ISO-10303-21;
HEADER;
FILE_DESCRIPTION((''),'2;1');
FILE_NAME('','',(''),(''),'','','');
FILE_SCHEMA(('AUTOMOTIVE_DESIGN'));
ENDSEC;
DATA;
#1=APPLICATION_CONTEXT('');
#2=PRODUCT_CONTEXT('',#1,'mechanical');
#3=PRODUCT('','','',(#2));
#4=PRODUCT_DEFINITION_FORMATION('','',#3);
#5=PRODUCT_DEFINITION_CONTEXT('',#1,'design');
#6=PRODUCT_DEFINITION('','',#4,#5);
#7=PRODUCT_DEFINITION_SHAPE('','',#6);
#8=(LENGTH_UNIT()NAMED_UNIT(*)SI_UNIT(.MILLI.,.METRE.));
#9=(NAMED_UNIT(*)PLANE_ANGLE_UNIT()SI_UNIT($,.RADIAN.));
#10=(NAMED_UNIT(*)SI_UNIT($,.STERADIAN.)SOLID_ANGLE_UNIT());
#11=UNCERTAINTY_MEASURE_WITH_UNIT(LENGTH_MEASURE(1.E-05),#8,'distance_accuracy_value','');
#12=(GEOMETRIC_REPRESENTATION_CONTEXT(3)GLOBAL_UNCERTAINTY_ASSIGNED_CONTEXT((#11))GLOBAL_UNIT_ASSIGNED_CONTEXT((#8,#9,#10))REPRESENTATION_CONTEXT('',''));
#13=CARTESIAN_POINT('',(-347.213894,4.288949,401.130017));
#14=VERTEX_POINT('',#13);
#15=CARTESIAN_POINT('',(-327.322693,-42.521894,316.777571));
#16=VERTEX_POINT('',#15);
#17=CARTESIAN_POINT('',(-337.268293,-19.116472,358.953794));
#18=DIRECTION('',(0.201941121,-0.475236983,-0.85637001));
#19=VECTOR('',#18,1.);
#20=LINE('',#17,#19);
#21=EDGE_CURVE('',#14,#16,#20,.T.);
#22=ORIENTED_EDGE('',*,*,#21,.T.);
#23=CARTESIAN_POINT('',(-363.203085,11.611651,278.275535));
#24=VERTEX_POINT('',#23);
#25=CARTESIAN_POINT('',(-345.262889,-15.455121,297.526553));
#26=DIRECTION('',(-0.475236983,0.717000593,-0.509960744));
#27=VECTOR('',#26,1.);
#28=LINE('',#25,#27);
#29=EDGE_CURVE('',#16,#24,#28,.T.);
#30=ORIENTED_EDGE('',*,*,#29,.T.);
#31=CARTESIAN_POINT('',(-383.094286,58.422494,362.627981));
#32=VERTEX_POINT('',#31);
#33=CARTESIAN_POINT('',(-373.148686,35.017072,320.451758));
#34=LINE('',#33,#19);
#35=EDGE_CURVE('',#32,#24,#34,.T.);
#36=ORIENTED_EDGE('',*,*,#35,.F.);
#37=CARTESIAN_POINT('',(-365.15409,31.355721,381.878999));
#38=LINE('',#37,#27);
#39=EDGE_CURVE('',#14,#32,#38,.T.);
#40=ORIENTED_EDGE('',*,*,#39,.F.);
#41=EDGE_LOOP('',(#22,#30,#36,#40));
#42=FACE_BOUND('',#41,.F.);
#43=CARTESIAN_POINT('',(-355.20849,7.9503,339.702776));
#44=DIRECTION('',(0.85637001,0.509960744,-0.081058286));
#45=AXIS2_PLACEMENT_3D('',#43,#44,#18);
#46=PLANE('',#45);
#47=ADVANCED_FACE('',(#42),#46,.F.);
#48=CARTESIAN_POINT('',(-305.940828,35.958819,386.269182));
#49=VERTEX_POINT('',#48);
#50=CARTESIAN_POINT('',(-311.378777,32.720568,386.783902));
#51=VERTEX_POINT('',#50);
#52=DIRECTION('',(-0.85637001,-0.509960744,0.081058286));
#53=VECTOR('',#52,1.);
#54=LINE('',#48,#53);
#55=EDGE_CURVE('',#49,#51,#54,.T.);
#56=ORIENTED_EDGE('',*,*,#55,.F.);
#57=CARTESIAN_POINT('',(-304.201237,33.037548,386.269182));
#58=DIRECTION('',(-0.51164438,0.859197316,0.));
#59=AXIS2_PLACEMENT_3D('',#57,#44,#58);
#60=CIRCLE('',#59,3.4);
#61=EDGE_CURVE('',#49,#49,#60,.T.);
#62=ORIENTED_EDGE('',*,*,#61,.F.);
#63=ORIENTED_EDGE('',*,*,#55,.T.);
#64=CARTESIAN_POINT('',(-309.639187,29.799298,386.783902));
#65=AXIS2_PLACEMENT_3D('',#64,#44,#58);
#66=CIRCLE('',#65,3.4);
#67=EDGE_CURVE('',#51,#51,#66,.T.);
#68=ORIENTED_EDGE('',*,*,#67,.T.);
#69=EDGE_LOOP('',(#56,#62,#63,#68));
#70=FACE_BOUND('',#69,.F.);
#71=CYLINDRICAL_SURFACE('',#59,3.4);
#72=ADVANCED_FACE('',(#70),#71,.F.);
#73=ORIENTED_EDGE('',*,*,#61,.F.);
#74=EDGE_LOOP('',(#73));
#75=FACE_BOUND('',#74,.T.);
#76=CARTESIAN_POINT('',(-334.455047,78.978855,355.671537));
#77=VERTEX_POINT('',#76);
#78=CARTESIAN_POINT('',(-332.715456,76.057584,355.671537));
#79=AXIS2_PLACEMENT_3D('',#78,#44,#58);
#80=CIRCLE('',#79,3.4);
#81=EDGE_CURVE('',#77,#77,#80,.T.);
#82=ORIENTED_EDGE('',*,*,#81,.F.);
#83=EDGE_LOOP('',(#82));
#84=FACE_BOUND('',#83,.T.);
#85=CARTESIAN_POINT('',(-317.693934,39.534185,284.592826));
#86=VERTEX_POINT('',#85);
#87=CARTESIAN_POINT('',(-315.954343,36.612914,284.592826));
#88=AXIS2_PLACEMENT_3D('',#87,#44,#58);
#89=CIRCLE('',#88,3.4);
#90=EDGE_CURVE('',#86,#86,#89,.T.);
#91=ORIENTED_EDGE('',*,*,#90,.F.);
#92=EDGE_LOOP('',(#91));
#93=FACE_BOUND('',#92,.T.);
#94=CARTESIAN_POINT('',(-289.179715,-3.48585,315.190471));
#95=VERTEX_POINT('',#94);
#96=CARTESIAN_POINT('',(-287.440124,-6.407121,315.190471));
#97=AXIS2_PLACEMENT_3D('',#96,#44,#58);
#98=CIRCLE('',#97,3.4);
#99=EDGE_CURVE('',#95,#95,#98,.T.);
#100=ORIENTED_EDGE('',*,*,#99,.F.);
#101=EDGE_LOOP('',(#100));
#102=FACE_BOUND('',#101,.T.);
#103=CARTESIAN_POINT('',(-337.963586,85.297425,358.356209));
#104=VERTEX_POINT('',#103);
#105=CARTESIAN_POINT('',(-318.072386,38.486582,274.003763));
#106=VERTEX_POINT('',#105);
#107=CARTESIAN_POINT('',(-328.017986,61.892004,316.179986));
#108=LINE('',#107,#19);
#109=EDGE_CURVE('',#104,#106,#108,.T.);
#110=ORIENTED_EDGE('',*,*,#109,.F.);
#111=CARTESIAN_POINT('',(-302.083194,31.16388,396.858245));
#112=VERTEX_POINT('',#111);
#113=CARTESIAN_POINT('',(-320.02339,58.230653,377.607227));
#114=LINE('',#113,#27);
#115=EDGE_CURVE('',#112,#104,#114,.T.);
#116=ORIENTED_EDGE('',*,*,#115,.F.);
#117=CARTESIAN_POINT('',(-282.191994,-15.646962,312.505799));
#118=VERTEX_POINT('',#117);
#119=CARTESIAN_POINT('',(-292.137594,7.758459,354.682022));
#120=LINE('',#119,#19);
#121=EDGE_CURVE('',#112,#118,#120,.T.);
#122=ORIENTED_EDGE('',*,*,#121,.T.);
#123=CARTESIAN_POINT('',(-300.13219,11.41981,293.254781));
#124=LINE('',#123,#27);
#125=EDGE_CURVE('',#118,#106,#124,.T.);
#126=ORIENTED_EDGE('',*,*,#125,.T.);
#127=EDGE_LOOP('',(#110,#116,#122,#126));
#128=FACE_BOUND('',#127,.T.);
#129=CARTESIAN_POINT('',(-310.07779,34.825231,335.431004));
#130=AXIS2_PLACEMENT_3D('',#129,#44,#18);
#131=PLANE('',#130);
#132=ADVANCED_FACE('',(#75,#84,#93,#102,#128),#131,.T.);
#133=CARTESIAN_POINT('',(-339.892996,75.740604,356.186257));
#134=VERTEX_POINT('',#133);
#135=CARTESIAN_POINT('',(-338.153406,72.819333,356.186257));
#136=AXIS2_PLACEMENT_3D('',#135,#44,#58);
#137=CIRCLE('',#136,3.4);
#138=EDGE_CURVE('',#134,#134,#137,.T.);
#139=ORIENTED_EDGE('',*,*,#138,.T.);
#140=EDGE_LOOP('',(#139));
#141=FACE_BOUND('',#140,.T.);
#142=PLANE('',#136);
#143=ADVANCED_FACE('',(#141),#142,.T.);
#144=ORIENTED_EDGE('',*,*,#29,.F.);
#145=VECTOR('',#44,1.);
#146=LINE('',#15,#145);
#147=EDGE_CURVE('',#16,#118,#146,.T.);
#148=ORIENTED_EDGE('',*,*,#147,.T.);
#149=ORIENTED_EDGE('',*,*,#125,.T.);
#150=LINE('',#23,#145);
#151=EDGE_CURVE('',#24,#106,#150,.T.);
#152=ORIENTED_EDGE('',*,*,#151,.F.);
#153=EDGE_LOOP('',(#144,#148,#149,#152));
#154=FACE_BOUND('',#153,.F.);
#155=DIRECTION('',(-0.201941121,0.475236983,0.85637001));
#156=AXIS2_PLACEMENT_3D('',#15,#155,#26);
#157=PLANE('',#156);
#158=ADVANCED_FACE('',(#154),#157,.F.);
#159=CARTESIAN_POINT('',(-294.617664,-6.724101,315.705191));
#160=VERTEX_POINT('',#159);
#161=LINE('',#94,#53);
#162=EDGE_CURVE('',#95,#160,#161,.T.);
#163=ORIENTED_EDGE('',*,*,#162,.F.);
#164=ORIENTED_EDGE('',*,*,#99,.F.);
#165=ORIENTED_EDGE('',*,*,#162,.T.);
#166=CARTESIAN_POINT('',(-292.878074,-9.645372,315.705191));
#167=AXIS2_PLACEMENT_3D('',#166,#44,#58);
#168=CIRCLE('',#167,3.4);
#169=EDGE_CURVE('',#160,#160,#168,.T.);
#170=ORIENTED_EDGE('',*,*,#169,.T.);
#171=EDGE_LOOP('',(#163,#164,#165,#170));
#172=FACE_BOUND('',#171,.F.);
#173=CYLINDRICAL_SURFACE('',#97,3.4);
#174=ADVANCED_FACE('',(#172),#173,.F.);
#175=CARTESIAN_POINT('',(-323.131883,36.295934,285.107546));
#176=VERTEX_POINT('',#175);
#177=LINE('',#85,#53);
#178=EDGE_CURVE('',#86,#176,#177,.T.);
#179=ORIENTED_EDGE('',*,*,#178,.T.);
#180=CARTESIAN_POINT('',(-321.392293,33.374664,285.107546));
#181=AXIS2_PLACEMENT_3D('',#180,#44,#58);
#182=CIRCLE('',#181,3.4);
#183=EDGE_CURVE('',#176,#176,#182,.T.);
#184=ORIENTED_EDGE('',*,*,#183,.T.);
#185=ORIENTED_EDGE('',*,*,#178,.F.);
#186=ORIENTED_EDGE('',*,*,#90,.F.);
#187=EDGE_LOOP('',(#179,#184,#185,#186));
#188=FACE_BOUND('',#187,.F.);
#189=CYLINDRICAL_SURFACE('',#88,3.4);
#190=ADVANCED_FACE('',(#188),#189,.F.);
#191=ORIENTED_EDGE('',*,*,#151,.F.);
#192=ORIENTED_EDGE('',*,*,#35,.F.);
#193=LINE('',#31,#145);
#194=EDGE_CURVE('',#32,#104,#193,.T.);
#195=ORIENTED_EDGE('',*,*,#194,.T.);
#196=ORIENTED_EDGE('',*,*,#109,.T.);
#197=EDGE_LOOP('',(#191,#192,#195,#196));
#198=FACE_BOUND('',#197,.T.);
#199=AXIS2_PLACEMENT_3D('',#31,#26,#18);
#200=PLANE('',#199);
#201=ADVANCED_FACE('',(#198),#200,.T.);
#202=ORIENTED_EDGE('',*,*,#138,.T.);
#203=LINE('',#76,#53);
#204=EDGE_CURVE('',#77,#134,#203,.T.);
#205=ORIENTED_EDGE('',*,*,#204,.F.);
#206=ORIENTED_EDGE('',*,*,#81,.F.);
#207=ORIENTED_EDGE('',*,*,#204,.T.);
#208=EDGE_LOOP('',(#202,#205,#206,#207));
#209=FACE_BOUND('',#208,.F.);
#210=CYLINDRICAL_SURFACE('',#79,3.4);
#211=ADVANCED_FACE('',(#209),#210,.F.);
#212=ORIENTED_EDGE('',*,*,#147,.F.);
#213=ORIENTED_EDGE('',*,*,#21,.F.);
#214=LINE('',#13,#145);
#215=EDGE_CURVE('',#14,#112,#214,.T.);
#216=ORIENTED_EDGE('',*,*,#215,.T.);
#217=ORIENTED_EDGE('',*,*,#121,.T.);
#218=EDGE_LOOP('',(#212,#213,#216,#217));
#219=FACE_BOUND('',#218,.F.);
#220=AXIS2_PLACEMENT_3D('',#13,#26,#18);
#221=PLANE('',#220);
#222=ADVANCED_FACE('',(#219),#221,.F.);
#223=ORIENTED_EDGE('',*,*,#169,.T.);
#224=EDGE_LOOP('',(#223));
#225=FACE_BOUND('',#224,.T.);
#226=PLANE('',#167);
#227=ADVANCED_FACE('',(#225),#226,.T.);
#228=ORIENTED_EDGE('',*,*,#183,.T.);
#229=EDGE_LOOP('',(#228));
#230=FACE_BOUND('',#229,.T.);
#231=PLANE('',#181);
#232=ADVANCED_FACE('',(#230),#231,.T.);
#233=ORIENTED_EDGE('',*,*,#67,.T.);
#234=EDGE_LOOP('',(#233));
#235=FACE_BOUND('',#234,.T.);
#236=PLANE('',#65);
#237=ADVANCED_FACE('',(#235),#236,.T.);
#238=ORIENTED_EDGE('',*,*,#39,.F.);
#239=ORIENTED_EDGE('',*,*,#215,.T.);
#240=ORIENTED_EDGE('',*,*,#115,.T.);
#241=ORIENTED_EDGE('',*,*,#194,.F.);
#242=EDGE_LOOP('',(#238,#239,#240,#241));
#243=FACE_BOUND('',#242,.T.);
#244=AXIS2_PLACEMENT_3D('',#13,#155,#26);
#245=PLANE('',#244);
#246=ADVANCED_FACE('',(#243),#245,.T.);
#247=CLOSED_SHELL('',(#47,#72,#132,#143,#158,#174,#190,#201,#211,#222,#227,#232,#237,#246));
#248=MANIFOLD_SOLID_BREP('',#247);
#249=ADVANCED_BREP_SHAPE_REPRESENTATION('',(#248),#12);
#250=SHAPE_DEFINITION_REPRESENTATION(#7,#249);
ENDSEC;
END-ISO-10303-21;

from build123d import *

# Parameters (mm, degrees)
SKETCH2_W           = 98.5
SKETCH2_H           = 75.5
BOSS_EXTRUDE1_DEPTH = 52.7
SKETCH3_R           = 3.4
CUT_EXTRUDE1_DEPTH  = 6.35


with BuildPart() as part:
    # Sketch2 → Boss-Extrude1 (new body)
    with BuildSketch(Plane(origin=(-280.607858618, -167.099490539, 26.56047255), x_dir=(0.20194112114307833, -0.4752369827921409, -0.8563700098544431), z_dir=(0.8563700098544432, 0.5099607440240832, -0.08105828629020287))):
        with Locations((-366.420746544, 1.273500466)):
            Rectangle(SKETCH2_W, SKETCH2_H)
    extrude(amount=BOSS_EXTRUDE1_DEPTH)

    # Sketch3 → Cut-Extrude1 (cut)
    with BuildSketch(Plane(origin=(-235.477159099, -140.224559329, 22.288700862), x_dir=(0.20194112114307847, -0.47523698279214077, -0.8563700098544431), z_dir=(0.8563700098544432, 0.5099607440240833, -0.0810582862902027))):
        with Locations(Location((-407.920746544, 31.273500466, 0), (0, 0, 120.773423267))):
            Circle(SKETCH3_R)
        with Locations(Location((-407.920746544, -28.726499534, 0), (0, 0, 120.773423267))):
            Circle(SKETCH3_R)
        with Locations(Location((-324.920746544, 31.273500466, 0), (0, 0, 120.773423267))):
            Circle(SKETCH3_R)
        with Locations(Location((-324.920746544, -28.726499534, 0), (0, 0, 120.773423267))):
            Circle(SKETCH3_R)
    extrude(amount=-CUT_EXTRUDE1_DEPTH, mode=Mode.SUBTRACT)


solid = part.part
